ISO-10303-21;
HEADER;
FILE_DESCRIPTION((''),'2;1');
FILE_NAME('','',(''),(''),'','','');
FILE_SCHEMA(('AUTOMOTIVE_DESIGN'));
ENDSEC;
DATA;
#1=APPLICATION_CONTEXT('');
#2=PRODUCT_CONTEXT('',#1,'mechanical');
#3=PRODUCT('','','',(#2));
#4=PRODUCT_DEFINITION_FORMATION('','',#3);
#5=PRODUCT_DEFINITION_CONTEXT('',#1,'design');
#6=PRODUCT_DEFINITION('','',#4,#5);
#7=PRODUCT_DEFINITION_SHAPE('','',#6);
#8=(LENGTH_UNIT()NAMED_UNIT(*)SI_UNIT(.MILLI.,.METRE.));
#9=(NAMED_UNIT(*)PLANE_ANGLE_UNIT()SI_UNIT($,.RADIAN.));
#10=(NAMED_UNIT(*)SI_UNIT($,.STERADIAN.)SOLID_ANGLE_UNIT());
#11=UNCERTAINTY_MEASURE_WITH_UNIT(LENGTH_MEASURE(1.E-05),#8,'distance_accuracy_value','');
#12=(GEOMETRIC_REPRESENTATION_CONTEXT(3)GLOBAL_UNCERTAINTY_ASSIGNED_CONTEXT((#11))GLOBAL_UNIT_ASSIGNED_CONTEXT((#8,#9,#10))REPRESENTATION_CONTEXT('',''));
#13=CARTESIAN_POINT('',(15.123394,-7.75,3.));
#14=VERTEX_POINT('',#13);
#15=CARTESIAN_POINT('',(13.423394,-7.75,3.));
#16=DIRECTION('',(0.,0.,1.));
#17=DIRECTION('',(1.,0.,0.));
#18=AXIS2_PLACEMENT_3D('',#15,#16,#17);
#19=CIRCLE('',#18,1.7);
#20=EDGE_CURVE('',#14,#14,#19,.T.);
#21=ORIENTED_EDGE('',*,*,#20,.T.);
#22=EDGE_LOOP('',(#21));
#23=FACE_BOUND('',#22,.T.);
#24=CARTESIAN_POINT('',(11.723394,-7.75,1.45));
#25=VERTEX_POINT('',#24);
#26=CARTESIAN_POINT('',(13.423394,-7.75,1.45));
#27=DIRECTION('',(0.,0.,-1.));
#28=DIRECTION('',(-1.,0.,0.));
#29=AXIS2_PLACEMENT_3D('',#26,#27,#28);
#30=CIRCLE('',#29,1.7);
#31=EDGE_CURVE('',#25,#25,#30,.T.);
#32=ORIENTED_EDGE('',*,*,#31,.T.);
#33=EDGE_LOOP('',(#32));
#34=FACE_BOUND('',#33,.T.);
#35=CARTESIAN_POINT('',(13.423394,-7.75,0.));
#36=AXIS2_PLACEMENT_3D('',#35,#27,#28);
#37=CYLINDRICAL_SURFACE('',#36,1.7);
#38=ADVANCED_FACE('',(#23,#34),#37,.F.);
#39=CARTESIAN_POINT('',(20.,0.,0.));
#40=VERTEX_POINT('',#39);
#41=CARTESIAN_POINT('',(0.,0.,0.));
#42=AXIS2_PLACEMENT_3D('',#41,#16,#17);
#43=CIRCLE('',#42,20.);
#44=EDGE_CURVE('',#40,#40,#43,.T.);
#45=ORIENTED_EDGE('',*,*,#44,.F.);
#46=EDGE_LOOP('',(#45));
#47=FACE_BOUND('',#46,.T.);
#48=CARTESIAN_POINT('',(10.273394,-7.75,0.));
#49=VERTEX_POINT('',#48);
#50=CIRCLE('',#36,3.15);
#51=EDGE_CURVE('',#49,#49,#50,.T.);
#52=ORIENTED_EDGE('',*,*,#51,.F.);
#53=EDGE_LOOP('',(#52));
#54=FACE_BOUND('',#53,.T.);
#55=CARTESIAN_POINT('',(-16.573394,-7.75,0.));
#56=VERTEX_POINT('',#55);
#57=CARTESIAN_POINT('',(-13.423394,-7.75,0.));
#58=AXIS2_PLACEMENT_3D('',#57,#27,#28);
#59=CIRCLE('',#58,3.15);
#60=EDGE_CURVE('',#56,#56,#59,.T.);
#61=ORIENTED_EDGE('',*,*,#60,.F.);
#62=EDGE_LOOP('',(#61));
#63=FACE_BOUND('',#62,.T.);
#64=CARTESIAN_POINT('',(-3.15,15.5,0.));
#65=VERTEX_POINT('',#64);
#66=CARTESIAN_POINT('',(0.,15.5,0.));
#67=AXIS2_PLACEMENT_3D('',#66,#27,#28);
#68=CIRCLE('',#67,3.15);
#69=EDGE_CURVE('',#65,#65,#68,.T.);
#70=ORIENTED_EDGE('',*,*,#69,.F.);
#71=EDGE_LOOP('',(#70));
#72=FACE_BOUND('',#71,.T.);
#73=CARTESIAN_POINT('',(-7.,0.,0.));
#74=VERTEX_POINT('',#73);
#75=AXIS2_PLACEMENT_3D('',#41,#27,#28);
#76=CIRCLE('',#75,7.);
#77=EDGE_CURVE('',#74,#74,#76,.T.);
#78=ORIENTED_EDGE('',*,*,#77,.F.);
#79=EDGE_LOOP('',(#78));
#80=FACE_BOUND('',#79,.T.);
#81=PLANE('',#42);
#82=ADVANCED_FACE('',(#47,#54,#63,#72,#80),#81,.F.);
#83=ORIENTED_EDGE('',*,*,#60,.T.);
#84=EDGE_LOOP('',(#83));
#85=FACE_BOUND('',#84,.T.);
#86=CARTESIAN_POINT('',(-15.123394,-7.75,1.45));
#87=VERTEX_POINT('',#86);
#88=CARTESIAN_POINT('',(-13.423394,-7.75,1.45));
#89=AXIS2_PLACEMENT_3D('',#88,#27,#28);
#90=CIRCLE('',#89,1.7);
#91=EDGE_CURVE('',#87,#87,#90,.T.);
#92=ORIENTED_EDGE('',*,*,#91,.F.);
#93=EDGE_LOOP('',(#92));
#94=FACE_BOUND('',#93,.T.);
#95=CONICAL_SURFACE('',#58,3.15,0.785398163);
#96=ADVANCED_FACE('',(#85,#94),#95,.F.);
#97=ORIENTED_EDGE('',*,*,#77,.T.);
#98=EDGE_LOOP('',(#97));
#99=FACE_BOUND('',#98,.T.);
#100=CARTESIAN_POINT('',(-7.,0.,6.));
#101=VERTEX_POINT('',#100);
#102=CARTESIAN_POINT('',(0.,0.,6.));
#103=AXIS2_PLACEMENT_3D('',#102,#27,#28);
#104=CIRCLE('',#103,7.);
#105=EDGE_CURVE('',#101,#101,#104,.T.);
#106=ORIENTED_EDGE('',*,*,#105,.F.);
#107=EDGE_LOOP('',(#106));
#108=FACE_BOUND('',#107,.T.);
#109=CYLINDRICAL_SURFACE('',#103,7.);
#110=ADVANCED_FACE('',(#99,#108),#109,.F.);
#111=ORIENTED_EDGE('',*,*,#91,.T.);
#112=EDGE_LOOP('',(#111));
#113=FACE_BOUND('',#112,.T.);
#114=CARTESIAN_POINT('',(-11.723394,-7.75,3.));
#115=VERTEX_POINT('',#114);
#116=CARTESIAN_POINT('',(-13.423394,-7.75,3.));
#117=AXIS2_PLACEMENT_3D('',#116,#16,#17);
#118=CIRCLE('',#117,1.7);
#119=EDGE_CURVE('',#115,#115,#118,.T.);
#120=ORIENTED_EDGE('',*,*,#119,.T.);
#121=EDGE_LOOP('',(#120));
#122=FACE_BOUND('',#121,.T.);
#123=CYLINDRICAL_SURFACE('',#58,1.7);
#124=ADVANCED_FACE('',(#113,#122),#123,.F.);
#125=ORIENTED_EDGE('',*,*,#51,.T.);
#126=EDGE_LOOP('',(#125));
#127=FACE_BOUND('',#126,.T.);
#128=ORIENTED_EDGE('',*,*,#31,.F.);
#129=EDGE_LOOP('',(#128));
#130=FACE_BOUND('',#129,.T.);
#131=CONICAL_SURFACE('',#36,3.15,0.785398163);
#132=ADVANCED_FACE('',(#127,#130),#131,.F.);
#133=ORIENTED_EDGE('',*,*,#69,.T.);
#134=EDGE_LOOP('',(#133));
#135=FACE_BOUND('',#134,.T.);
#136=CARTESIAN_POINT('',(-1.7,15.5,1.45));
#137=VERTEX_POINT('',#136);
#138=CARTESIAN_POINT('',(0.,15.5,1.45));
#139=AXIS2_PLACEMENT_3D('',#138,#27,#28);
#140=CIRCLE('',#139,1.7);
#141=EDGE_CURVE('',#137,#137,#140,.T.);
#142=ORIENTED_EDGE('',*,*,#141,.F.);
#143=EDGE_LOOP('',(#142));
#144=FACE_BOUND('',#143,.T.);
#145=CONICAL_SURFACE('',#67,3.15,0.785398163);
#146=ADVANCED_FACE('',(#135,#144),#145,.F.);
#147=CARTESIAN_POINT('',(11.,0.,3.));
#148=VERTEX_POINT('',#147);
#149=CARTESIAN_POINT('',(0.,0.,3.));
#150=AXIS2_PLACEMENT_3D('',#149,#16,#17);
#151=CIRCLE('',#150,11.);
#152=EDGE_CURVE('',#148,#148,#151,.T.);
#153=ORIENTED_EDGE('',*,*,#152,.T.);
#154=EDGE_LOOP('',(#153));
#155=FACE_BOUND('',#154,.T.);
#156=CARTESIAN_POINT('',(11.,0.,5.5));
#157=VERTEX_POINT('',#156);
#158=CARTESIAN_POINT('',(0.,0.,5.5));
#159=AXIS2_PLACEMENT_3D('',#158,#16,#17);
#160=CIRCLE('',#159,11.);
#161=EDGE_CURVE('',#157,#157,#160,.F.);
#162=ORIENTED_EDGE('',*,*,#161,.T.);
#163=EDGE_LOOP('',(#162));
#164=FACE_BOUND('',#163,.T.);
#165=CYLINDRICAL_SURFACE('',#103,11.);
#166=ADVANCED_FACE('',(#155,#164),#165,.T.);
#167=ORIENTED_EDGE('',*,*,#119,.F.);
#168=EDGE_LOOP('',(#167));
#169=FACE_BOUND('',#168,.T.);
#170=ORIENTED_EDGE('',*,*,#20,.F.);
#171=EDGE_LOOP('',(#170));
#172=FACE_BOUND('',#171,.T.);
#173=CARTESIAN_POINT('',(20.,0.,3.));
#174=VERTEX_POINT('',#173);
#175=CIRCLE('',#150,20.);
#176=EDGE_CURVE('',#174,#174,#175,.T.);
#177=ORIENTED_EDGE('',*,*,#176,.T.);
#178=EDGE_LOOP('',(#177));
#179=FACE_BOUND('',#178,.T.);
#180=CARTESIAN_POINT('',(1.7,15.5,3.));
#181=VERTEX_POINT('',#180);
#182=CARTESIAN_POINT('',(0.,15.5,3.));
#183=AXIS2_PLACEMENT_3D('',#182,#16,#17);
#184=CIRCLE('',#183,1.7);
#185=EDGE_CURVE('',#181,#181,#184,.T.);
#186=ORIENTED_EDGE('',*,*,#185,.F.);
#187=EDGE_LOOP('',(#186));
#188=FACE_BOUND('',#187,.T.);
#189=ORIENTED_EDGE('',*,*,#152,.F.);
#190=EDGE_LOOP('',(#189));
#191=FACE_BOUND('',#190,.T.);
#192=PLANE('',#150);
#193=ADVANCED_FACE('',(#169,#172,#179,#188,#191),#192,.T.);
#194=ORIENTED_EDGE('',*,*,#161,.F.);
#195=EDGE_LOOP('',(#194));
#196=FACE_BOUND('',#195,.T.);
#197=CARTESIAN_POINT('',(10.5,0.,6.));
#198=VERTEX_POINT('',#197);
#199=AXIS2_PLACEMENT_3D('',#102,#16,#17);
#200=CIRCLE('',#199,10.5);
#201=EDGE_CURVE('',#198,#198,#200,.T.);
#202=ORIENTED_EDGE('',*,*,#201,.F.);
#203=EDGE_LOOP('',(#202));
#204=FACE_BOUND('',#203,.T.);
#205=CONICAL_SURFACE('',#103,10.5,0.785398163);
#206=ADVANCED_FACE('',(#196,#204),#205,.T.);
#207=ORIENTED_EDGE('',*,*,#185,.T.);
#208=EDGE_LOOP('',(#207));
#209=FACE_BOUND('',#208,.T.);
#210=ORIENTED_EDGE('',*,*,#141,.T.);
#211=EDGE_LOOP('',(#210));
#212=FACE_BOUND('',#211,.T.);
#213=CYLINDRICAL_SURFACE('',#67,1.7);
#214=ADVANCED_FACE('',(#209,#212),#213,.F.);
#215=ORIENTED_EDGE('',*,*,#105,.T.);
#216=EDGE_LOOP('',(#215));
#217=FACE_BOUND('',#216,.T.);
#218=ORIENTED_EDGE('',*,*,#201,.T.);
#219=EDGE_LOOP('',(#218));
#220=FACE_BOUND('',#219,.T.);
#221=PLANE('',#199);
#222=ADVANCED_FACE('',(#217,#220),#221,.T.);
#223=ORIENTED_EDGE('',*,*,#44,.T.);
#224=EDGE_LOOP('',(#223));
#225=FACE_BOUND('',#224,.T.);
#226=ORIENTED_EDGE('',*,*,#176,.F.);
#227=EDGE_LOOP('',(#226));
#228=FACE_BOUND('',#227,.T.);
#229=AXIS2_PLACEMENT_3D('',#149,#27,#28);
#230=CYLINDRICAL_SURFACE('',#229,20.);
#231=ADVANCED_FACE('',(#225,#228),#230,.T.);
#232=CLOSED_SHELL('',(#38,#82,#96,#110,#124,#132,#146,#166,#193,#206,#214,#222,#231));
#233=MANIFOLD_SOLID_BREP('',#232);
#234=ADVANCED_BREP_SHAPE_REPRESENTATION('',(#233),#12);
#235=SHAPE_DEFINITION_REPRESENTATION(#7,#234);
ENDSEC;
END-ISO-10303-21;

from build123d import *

# Parameters (mm, degrees)
ESQUISSE1_R                                    = 20
BOSS_EXTRU_1_DEPTH                             = 3
ESQUISSE2_R                                    = 11
BOSS_EXTRU_2_DEPTH                             = 3
CHANFREIN1_SIZE                                = 0.5
ESQUISSE3_R                                    = 7
ENL_V_MAT_EXTRU_1_DEPTH                        = 7
FRAISAGE_POUR_VIS_T_TE_FRAIS_E_M32_D           = 3.4
FRAISAGE_POUR_VIS_T_TE_FRAIS_E_M32_CSINK_D     = 6.3
FRAISAGE_POUR_VIS_T_TE_FRAIS_E_M32_CSINK_ANGLE = 90
R_P_TITION_CIRCULAIRE1_COUNT                   = 3


with BuildPart() as part:
    # Esquisse1 → Boss.-Extru.1 (new body)
    with BuildSketch(Plane.XY):
        Circle(ESQUISSE1_R)
    extrude(amount=BOSS_EXTRU_1_DEPTH)

    # Esquisse2 → Boss.-Extru.2 (add)
    with BuildSketch(Plane.XY.offset(3)):
        Circle(ESQUISSE2_R)
    extrude(amount=BOSS_EXTRU_2_DEPTH)

    # Chanfrein1
    chanfrein1_edges = [part.edges().sort_by_distance(p)[0] for p in [
        (-11, 0, 6),
    ]]
    chamfer(chanfrein1_edges, length=CHANFREIN1_SIZE)

    # Esquisse3 → Enlèv. mat.-Extru.1 (cut, through all)
    with BuildSketch(Plane(origin=(0, 0, 0), x_dir=(-1, 0, 0), z_dir=(0, 0, -1))):
        Circle(ESQUISSE3_R)
    extrude(amount=-ENL_V_MAT_EXTRU_1_DEPTH, mode=Mode.SUBTRACT)

    # Fraisage pour vis à tête fraisée M32 (through all)
    with Locations(Plane(origin=(0, 0, 0), x_dir=(-1, 0, 0), z_dir=(0, 0, -1))):
        with Locations((0, 15.5)):
            fraisage_pour_vis_t_te_frais_e_m32 = CounterSinkHole(FRAISAGE_POUR_VIS_T_TE_FRAIS_E_M32_D / 2, FRAISAGE_POUR_VIS_T_TE_FRAIS_E_M32_CSINK_D / 2, counter_sink_angle=FRAISAGE_POUR_VIS_T_TE_FRAIS_E_M32_CSINK_ANGLE)

    # Répétition circulaire1: Fraisage pour vis à tête fraisée M32 ×3 about axis
    r_p_tition_circulaire1_axis = Axis((0, 0, 0), (0, 0, 1))
    for i in range(1, R_P_TITION_CIRCULAIRE1_COUNT):
        add(fraisage_pour_vis_t_te_frais_e_m32.rotate(r_p_tition_circulaire1_axis, i * 360 / R_P_TITION_CIRCULAIRE1_COUNT), mode=Mode.SUBTRACT)


solid = part.part
